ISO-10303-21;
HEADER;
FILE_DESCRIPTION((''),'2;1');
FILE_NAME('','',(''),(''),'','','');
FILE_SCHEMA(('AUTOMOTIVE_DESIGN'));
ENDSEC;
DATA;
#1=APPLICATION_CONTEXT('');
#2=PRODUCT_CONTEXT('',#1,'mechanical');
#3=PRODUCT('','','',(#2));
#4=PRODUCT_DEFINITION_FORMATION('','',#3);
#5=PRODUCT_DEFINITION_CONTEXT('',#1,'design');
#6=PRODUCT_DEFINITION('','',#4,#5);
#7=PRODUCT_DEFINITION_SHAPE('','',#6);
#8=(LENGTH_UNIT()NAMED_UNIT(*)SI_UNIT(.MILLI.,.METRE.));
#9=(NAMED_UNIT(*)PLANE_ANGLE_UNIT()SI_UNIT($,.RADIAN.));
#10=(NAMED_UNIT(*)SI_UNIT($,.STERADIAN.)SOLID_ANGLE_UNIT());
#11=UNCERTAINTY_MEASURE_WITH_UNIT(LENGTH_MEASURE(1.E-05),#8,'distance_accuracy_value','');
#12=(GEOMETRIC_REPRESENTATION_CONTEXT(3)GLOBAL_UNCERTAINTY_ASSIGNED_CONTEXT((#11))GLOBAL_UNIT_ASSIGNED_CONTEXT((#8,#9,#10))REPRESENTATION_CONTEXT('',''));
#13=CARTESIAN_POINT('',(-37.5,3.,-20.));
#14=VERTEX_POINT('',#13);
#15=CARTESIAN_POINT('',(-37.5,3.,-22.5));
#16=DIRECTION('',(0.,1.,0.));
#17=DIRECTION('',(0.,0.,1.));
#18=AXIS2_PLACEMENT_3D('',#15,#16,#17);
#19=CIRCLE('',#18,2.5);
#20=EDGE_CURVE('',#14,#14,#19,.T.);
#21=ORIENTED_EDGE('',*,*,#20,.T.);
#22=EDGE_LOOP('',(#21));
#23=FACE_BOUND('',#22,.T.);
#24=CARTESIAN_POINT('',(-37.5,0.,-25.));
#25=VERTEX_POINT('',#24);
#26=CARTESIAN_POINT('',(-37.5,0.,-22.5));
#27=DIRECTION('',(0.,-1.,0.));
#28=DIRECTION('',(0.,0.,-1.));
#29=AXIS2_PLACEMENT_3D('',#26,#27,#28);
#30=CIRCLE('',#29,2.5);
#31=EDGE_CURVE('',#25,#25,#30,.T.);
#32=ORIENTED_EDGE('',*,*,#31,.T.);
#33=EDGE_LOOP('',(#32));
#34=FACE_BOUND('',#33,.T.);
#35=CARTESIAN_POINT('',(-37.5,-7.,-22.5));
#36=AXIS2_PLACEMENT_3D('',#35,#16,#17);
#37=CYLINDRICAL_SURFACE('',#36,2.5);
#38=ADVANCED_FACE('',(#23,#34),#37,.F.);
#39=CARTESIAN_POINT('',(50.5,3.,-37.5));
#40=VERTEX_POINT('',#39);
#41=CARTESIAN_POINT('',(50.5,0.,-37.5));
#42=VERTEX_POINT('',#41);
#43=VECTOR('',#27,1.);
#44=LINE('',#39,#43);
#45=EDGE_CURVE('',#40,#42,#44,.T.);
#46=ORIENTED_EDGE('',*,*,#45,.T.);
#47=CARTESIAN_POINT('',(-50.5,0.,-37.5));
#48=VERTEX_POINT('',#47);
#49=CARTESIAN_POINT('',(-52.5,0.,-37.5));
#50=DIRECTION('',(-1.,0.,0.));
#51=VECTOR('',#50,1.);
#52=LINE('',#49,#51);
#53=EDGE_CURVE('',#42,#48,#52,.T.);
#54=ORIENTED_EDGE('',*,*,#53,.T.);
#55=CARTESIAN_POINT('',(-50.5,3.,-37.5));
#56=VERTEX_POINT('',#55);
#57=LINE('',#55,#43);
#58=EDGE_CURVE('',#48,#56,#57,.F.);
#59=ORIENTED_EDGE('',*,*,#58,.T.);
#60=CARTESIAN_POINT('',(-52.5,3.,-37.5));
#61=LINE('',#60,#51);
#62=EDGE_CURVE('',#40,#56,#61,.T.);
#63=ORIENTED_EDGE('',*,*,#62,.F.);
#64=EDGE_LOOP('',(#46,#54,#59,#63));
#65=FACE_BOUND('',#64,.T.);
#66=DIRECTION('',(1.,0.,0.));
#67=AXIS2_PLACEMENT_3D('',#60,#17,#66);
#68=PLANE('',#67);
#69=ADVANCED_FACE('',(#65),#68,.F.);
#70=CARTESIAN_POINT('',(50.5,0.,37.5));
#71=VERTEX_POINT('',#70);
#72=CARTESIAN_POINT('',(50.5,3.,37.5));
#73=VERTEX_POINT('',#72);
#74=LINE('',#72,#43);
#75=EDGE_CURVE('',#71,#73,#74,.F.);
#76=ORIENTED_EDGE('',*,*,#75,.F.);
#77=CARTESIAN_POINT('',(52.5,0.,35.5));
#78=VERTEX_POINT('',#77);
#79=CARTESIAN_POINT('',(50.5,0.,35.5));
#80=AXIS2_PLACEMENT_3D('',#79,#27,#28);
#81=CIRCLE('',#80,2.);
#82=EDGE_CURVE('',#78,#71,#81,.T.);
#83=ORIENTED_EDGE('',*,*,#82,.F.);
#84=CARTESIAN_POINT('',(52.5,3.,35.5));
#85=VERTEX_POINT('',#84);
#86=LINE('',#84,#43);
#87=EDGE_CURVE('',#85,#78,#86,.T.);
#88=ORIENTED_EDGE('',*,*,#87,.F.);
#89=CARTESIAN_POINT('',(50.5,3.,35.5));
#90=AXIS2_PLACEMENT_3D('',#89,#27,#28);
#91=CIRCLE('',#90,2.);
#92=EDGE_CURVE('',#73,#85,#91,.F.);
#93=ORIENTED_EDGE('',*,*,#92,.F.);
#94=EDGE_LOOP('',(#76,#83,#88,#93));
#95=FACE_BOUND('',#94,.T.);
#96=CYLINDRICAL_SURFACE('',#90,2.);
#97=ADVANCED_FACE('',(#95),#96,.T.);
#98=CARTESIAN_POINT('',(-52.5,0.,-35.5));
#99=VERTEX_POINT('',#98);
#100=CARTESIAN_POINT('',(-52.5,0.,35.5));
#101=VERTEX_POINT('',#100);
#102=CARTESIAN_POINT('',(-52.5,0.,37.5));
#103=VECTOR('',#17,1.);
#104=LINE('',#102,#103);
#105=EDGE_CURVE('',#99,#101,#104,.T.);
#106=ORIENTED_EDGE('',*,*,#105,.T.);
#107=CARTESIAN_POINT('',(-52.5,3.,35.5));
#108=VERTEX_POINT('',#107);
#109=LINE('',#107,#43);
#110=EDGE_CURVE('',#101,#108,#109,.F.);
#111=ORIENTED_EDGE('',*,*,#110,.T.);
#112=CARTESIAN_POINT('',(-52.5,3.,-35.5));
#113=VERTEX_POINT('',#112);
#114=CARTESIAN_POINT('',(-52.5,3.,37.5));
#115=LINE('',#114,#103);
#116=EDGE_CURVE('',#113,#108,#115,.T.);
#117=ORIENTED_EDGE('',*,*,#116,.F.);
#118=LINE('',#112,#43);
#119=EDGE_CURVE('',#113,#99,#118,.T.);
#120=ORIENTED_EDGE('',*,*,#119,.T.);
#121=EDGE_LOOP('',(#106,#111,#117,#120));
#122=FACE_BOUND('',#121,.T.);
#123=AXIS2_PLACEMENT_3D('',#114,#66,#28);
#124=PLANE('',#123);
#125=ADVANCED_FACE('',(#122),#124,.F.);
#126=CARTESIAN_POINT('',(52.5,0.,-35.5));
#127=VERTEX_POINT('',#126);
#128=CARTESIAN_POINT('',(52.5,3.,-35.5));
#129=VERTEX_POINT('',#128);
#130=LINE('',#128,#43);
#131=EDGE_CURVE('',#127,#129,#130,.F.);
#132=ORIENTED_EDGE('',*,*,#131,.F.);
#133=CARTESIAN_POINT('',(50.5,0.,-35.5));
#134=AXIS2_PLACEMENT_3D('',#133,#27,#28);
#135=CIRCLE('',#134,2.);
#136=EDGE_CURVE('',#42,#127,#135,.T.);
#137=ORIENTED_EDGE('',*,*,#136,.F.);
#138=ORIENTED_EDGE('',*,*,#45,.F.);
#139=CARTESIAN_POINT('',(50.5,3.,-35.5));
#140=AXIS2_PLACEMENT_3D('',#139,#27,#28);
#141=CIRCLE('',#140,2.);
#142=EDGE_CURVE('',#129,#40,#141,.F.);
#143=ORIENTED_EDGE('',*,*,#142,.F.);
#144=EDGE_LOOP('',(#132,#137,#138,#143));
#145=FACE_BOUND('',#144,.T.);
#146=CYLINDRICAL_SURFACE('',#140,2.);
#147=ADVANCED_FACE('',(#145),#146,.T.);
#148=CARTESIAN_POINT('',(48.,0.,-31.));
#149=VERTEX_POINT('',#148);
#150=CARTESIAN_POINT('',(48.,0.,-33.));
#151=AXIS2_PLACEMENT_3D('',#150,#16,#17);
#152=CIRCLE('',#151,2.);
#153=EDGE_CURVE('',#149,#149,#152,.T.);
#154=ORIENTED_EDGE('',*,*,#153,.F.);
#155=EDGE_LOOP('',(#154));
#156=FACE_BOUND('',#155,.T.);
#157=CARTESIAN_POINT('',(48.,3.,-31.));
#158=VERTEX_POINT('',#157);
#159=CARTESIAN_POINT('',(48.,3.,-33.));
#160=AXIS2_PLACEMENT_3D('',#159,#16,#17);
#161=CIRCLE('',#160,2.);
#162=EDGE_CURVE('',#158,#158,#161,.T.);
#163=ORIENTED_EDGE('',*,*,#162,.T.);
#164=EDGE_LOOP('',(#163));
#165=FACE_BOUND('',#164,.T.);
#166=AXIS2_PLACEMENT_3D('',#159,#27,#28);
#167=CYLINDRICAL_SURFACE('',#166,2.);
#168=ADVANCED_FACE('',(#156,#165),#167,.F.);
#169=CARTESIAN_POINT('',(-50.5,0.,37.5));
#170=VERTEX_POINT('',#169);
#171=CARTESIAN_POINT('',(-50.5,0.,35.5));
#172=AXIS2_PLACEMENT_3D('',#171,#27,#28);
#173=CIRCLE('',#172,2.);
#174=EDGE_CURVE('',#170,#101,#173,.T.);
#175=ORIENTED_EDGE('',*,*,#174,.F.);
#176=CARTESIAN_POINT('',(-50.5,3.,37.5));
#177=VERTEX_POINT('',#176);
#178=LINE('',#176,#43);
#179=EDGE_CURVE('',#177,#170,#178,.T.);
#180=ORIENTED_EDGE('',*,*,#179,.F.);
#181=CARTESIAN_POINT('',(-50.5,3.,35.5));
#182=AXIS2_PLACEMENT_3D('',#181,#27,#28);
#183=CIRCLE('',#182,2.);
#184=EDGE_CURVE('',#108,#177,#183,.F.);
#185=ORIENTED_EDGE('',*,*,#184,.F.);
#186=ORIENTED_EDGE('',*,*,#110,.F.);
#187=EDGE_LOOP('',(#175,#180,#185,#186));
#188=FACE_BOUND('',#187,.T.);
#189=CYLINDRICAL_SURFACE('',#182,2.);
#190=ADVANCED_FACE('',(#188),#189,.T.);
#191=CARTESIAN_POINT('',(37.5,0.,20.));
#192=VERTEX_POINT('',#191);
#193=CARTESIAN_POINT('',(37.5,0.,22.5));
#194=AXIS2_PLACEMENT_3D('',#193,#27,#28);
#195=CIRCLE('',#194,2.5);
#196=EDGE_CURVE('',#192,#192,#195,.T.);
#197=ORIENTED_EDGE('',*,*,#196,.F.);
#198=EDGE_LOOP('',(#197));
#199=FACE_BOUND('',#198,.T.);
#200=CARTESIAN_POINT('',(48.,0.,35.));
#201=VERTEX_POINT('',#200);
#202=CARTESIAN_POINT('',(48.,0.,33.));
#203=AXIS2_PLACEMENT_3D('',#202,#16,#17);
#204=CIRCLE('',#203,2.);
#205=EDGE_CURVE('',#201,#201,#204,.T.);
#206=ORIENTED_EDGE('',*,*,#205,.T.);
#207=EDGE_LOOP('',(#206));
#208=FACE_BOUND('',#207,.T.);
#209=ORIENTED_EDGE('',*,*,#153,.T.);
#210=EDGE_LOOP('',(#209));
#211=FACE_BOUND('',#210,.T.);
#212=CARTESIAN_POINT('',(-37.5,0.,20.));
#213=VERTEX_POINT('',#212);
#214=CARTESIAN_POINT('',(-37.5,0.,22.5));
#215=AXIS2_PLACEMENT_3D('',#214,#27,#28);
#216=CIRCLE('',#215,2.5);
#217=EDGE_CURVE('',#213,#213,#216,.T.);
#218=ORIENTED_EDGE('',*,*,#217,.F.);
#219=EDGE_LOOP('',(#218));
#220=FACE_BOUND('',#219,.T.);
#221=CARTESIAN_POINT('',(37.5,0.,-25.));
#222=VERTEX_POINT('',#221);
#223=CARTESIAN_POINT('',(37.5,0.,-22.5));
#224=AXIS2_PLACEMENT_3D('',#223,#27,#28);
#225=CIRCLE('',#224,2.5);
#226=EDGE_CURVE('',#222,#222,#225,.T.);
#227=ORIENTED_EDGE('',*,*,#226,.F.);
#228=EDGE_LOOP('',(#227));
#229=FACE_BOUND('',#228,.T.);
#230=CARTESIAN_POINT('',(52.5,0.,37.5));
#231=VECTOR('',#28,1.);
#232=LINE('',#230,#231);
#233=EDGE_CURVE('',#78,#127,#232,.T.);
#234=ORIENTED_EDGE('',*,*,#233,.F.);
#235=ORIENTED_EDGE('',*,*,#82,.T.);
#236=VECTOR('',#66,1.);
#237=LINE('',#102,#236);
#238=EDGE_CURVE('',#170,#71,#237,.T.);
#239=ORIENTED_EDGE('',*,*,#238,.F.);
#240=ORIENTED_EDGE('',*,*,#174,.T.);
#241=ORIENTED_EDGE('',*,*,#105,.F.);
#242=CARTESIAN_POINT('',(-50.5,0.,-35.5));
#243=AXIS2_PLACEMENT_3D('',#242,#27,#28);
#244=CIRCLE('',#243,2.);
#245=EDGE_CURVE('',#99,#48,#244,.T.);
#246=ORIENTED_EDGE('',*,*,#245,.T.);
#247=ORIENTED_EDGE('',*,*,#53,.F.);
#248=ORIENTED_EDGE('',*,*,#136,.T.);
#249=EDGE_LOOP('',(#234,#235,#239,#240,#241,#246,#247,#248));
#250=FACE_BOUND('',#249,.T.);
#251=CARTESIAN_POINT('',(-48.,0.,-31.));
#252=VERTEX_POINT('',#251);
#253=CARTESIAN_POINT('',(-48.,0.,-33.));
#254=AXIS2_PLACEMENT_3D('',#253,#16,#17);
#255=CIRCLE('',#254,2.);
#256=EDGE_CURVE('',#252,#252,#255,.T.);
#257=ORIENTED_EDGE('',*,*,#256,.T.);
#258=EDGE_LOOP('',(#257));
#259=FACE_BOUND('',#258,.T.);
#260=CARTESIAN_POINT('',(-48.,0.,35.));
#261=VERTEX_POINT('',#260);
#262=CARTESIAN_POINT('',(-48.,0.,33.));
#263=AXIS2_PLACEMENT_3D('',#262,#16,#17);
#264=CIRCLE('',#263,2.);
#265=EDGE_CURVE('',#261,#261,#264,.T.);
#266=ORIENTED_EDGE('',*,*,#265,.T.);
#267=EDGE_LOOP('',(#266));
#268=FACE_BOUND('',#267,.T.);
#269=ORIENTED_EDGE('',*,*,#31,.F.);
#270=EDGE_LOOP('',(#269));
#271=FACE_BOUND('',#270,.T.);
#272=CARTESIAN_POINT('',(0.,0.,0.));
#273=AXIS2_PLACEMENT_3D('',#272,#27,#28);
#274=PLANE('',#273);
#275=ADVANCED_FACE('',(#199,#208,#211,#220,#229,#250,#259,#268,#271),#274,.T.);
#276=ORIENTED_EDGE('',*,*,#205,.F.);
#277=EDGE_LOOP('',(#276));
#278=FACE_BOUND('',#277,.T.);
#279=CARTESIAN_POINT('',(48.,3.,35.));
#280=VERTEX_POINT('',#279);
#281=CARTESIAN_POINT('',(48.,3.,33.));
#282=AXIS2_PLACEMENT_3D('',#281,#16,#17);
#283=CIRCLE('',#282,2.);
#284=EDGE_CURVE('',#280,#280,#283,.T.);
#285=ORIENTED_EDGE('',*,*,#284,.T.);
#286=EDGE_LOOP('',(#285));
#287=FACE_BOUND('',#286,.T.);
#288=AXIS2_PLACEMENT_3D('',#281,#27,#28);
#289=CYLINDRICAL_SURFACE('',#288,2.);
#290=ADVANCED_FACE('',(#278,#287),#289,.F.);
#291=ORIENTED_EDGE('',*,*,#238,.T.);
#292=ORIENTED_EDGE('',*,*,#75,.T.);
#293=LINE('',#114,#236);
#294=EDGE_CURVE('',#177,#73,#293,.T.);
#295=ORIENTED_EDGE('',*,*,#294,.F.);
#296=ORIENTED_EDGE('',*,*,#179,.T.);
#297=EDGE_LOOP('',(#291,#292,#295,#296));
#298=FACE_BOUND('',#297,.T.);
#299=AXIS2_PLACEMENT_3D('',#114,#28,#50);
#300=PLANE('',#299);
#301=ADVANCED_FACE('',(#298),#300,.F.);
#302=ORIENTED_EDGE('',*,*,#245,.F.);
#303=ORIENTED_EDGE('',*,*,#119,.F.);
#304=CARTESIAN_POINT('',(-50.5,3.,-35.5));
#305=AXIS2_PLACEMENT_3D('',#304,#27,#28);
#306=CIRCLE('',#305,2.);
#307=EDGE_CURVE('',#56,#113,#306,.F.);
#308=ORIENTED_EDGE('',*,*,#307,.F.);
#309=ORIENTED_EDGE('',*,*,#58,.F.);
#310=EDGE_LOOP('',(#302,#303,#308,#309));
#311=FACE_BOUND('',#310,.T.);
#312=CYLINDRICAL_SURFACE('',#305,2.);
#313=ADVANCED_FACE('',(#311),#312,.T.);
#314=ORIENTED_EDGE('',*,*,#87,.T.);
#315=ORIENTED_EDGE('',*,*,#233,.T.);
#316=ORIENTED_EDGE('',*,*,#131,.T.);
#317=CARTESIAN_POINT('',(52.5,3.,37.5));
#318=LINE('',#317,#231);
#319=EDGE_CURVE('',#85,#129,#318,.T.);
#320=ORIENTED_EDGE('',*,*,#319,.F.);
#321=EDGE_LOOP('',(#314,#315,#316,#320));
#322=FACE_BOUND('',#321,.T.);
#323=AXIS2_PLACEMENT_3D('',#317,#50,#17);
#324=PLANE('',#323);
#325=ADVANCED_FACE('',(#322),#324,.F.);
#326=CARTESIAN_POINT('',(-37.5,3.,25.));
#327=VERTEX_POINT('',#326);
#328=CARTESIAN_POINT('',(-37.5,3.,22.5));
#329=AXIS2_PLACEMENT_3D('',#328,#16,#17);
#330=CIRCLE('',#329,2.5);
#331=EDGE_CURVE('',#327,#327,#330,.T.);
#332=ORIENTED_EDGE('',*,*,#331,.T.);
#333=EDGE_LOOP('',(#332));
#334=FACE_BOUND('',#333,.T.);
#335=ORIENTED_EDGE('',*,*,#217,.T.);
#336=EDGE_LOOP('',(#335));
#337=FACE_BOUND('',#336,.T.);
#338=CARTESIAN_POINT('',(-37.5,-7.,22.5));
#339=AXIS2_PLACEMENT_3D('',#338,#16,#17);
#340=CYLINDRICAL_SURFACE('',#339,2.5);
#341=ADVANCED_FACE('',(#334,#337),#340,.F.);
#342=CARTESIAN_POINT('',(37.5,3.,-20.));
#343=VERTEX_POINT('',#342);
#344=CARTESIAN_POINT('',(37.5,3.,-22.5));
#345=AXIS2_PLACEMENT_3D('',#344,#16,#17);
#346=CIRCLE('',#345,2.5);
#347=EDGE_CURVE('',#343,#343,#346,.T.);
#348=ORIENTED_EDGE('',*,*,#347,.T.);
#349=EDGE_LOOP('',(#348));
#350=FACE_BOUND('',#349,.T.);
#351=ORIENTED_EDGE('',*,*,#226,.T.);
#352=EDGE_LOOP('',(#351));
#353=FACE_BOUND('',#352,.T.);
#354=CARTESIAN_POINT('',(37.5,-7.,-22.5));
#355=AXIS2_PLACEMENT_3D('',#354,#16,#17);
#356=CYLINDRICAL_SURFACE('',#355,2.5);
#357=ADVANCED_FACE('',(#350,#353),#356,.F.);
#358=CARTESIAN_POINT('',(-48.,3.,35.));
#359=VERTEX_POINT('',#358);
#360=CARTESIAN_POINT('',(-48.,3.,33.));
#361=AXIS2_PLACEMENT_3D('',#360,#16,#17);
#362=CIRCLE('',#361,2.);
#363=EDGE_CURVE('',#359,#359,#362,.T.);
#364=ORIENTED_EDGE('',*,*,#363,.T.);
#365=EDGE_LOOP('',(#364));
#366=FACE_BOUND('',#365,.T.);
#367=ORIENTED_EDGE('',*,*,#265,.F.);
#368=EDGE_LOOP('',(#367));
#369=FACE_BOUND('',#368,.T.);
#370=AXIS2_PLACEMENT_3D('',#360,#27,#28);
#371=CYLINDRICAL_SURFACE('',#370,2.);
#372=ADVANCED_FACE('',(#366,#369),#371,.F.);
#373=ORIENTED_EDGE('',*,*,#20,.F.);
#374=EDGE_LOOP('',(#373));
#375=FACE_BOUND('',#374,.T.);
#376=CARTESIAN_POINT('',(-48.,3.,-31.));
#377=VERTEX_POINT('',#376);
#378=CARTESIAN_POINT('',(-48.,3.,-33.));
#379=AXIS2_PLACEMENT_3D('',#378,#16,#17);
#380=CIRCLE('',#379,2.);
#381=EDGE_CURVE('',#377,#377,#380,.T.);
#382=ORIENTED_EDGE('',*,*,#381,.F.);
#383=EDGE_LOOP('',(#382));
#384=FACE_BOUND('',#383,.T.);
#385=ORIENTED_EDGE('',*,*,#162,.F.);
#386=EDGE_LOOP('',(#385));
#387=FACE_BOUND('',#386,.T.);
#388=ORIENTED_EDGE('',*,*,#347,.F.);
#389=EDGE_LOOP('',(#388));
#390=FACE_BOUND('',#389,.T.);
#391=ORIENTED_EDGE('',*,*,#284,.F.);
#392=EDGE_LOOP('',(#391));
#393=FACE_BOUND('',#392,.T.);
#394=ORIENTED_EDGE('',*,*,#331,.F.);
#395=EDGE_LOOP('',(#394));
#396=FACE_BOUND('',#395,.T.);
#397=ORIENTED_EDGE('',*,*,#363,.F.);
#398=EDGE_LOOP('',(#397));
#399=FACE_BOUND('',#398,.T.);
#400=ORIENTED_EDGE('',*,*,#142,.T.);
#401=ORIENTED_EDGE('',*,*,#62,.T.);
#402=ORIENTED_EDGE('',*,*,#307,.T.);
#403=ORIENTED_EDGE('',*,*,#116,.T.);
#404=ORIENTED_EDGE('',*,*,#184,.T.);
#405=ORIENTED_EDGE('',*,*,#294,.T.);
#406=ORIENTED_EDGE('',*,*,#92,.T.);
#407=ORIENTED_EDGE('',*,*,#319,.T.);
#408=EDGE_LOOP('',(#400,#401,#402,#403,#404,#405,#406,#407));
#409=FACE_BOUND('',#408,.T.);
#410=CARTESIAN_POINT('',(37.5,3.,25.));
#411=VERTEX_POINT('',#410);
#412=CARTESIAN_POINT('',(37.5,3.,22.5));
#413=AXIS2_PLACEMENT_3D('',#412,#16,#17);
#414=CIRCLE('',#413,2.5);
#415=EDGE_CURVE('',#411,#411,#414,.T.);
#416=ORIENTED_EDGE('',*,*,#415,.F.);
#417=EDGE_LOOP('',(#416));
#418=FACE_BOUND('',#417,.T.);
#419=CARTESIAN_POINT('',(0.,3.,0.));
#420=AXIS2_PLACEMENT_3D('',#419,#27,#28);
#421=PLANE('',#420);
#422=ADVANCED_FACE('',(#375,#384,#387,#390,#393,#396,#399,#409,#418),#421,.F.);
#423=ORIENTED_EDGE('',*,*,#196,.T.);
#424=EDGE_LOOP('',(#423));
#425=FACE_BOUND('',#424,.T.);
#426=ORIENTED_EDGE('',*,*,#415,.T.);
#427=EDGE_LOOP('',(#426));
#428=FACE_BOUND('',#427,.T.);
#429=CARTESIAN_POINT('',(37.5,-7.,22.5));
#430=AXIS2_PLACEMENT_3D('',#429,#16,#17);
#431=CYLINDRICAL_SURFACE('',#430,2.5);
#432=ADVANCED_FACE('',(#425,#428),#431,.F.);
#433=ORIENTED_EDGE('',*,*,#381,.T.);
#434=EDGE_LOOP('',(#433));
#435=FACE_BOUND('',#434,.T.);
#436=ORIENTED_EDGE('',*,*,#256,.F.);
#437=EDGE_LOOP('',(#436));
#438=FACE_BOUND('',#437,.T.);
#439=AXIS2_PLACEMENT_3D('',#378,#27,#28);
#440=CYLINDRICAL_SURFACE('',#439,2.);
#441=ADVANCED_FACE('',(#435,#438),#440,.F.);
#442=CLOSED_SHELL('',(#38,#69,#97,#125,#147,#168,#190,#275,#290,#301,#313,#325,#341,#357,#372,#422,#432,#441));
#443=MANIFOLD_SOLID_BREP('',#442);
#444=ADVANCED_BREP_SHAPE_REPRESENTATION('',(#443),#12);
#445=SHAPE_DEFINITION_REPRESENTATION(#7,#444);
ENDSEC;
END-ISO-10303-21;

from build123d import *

# Parameters (mm, degrees)
SKETCH_1_W          = 105
SKETCH_1_H          = 75
SKETCH_1_R          = 2
EXTRUDE_1_DEPTH     = 3
FILLET_1_R          = 2
SKETCH_2_R          = 2.5
CUT_EXTRUDE_1_DEPTH = 10


with BuildPart() as part:
    # 스케치1 → 보스-돌출1 (new body)
    with BuildSketch(Plane(origin=(0, 0, 0), x_dir=(1, 0, 0), z_dir=(0, 1, 0))):
        Rectangle(SKETCH_1_W, SKETCH_1_H)
        with Locations(Location((-48, 33, 0), (0, 0, 270))):
            Circle(SKETCH_1_R, mode=Mode.SUBTRACT)
        with Locations(Location((-48, -33, 0), (0, 0, 270))):
            Circle(SKETCH_1_R, mode=Mode.SUBTRACT)
        with Locations(Location((48, -33, 0), (0, 0, 270))):
            Circle(SKETCH_1_R, mode=Mode.SUBTRACT)
        with Locations(Location((48, 33, 0), (0, 0, 270))):
            Circle(SKETCH_1_R, mode=Mode.SUBTRACT)
    extrude(amount=EXTRUDE_1_DEPTH)

    # 필렛1
    fillet_1_edges = [part.edges().sort_by_distance(p)[0] for p in [
        (52.5, 1.5, 37.5),
        (-52.5, 1.5, 37.5),
        (-52.5, 1.5, -37.5),
        (52.5, 1.5, -37.5),
    ]]
    fillet(fillet_1_edges, radius=FILLET_1_R)

    # 스케치2 → 컷-돌출1 (cut)
    with BuildSketch(Plane(origin=(0, 3, 0), x_dir=(1, 0, 0), z_dir=(0, 1, 0))):
        with Locations(Location((-37.5, -22.5, 0), (0, 0, 270))):
            Circle(SKETCH_2_R)
        with Locations(Location((37.5, -22.5, 0), (0, 0, 270))):
            Circle(SKETCH_2_R)
        with Locations(Location((37.5, 22.5, 0), (0, 0, 270))):
            Circle(SKETCH_2_R)
        with Locations(Location((-37.5, 22.5, 0), (0, 0, 270))):
            Circle(SKETCH_2_R)
    extrude(amount=-CUT_EXTRUDE_1_DEPTH, mode=Mode.SUBTRACT)


solid = part.part
